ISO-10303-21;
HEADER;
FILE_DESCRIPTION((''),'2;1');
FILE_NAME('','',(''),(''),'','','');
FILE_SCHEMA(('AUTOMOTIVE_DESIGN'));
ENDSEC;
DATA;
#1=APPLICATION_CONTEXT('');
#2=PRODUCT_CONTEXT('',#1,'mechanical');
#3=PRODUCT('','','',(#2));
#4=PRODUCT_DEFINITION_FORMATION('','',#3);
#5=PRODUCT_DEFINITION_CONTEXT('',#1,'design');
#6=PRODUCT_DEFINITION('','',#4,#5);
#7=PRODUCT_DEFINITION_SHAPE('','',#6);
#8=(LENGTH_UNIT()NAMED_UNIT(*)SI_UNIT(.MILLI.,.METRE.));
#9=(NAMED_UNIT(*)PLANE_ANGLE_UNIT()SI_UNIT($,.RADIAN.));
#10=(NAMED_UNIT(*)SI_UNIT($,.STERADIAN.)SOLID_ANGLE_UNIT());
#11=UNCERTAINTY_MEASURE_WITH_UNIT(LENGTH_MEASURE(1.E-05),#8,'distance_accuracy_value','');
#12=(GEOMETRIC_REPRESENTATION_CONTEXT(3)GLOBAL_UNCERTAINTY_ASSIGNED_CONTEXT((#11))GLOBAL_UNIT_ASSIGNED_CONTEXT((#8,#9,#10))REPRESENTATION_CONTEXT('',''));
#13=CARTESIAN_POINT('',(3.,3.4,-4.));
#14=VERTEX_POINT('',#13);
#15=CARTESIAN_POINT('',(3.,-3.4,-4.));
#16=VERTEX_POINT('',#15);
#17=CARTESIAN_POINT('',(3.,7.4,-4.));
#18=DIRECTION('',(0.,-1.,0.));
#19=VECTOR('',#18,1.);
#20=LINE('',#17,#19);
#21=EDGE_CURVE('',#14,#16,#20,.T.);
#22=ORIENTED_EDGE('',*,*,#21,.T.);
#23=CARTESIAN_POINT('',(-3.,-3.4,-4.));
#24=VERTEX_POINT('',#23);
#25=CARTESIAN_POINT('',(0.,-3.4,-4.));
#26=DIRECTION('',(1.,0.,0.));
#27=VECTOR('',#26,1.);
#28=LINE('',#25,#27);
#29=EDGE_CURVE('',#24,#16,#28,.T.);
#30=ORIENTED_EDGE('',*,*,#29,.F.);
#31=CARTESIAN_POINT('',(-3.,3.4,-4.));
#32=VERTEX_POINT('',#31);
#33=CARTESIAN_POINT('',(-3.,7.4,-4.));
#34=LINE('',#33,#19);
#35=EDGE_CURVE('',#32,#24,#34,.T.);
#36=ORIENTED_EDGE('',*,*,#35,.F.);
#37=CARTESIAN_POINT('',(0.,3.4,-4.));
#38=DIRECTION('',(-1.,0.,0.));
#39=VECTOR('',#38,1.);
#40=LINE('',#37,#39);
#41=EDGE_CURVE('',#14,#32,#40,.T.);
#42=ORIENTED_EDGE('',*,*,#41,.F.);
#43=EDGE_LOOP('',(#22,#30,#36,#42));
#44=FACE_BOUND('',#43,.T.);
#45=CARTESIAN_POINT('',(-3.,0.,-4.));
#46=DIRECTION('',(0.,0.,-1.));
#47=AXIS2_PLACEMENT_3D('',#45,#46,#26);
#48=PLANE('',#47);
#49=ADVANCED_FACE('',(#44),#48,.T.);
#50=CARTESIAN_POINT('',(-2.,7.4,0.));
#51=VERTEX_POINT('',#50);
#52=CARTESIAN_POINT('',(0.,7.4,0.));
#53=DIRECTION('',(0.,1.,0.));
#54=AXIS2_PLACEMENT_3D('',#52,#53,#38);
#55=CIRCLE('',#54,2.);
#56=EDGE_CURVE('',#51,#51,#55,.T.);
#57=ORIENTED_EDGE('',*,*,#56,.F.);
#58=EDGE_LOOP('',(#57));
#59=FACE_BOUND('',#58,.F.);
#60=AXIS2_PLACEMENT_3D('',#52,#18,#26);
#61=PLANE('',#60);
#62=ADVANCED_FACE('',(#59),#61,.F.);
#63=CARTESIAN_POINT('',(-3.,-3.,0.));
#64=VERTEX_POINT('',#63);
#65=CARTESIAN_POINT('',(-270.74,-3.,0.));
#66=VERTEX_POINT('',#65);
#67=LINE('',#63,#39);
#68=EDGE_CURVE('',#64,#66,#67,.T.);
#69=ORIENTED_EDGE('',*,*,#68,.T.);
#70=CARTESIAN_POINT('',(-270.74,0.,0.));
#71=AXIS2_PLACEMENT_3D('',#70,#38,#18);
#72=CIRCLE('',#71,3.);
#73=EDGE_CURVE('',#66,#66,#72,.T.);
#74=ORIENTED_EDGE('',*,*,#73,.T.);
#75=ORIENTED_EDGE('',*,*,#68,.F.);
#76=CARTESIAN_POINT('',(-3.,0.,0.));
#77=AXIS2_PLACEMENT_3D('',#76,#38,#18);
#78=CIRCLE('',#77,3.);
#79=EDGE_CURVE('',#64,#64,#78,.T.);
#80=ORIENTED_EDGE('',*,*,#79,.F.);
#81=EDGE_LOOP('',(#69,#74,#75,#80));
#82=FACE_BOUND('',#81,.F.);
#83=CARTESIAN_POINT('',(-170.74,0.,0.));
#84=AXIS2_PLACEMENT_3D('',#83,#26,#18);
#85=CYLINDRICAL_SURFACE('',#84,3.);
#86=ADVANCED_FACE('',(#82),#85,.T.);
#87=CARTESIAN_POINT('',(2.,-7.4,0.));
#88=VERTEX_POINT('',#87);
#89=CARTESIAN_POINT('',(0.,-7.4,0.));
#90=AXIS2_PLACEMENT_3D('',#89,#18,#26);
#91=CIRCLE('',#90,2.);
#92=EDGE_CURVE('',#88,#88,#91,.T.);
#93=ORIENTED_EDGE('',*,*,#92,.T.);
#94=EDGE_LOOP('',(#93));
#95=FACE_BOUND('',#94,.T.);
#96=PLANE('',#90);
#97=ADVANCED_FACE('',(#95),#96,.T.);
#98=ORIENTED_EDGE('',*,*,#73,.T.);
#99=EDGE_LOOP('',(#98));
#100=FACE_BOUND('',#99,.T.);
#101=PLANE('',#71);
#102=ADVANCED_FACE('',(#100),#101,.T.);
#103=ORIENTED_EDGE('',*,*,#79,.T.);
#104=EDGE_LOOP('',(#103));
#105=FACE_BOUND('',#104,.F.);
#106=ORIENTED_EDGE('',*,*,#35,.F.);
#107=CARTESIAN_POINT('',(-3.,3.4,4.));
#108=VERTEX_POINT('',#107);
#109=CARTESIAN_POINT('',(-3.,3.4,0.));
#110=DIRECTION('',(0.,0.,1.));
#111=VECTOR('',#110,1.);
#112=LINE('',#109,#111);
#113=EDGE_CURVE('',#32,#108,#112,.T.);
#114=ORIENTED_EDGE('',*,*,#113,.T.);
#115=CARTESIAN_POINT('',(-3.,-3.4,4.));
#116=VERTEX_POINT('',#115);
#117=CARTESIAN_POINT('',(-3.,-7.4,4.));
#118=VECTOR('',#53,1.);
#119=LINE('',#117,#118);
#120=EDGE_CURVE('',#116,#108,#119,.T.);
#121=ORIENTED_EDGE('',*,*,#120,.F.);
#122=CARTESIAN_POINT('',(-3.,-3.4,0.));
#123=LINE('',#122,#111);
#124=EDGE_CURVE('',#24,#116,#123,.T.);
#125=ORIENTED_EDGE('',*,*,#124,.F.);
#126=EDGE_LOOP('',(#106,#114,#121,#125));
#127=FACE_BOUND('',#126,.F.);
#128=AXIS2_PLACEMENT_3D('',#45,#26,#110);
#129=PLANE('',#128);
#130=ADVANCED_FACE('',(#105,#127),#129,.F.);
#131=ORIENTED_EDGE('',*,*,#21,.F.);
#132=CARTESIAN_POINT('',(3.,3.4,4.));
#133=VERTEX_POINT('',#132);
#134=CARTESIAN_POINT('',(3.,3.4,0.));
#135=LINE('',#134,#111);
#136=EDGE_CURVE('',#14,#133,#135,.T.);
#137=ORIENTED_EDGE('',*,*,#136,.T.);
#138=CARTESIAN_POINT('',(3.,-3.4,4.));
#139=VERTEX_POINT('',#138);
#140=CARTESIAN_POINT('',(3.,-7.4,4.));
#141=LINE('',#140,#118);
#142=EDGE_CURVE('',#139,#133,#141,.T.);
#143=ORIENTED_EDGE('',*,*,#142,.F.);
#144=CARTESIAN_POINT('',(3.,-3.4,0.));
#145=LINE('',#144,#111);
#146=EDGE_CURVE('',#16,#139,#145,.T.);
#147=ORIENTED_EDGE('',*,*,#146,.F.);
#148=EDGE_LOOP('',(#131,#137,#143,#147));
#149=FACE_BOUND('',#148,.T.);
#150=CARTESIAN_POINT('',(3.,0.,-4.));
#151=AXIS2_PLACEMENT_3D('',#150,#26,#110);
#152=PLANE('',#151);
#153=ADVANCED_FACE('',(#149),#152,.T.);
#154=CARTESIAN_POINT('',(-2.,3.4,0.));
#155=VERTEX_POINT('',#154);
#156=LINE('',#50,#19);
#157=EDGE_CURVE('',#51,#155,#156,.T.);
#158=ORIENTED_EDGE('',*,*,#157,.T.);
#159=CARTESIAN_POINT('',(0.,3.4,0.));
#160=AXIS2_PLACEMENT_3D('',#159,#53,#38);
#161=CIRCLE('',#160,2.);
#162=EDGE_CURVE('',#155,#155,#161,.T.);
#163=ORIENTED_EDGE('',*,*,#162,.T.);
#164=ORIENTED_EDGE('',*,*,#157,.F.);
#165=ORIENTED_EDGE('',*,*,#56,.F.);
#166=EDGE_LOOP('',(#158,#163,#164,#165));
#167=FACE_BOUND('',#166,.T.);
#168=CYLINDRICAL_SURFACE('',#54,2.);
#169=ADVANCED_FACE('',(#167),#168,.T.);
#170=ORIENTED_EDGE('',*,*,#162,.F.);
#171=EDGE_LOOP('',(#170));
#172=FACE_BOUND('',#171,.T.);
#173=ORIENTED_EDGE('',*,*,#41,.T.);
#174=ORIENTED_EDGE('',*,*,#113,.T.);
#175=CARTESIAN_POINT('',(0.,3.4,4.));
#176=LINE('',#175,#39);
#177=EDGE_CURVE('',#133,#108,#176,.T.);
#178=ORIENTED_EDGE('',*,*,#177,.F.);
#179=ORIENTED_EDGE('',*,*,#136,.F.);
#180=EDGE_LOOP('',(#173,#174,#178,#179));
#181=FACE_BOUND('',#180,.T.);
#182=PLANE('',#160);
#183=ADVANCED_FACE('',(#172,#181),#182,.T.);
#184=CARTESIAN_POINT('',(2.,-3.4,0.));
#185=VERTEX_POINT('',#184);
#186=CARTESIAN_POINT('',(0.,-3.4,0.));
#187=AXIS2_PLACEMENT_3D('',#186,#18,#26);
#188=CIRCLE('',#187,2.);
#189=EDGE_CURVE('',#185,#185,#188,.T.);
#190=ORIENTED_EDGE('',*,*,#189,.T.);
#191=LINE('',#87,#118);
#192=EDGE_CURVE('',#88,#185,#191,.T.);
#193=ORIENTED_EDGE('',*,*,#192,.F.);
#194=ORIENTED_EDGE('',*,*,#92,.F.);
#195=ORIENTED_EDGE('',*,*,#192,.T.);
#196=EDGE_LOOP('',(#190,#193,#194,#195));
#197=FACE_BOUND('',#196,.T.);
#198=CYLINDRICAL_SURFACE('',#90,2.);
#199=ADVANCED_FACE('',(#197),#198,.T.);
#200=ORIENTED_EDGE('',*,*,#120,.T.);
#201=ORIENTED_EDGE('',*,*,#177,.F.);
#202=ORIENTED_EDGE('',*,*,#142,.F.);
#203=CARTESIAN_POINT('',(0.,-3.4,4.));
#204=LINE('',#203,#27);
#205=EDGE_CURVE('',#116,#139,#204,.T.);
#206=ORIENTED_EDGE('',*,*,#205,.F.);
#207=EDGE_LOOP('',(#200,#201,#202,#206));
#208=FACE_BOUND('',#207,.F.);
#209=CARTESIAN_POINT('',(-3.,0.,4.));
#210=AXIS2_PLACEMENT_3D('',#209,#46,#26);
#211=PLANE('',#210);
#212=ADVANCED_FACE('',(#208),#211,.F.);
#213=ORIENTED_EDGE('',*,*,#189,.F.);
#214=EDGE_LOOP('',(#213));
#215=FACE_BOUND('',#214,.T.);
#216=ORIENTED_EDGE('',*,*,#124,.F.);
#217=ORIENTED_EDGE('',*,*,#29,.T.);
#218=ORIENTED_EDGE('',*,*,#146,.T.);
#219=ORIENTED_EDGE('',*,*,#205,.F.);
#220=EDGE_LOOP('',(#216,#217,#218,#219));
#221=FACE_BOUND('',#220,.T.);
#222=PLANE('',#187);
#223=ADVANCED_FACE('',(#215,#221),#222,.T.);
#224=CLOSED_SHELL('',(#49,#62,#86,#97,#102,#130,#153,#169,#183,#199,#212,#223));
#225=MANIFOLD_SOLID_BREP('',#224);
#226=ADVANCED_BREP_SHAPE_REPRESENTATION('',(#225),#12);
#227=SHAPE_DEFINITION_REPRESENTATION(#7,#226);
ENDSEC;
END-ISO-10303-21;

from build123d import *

# Parameters (mm, degrees)
F0_W     = 6
F0_H     = 8
F1_DEPTH = 7.4
F2_W     = 6
F2_H     = 8
F2_R     = 2
F3_DEPTH = 4
F4_W     = 6
F4_H     = 8
F4_R     = 2
F5_DEPTH = 4
F6_R     = 3
F7_DEPTH = 167.74
F8_R     = 3
F9_DEPTH = 100


with BuildPart() as f1:
    # F0 (on Front) → F1 (new body, symmetric)
    with BuildSketch(Plane.XZ):
        Rectangle(F0_W, F0_H)
    extrude(amount=F1_DEPTH, both=True)

    # F2 (on face) → F3 (cut)
    with BuildSketch(Plane.XZ.offset(7.4)):
        Rectangle(F2_W, F2_H)
        Circle(F2_R, mode=Mode.SUBTRACT)
    extrude(amount=-F3_DEPTH, mode=Mode.SUBTRACT)

    # F4 (on face) → F5 (cut)
    with BuildSketch(Plane(origin=(0, 7.4, 0), x_dir=(-1, 0, 0), z_dir=(0, 1, 0))):
        Rectangle(F4_W, F4_H)
        Circle(F4_R, mode=Mode.SUBTRACT)
    extrude(amount=-F5_DEPTH, mode=Mode.SUBTRACT)

    # F6 (on face) → F7 (join)
    with BuildSketch(Plane(origin=(-3, 0, 0), x_dir=(0, -1, 0), z_dir=(-1, 0, 0))):
        Circle(F6_R)
    extrude(amount=F7_DEPTH)

    # F8 (on face) → F9 (join)
    with BuildSketch(Plane(origin=(-170.74, 0, 0), x_dir=(0, -1, 0), z_dir=(-1, 0, 0))):
        Circle(F8_R)
    extrude(amount=F9_DEPTH)


solid = f1.part
